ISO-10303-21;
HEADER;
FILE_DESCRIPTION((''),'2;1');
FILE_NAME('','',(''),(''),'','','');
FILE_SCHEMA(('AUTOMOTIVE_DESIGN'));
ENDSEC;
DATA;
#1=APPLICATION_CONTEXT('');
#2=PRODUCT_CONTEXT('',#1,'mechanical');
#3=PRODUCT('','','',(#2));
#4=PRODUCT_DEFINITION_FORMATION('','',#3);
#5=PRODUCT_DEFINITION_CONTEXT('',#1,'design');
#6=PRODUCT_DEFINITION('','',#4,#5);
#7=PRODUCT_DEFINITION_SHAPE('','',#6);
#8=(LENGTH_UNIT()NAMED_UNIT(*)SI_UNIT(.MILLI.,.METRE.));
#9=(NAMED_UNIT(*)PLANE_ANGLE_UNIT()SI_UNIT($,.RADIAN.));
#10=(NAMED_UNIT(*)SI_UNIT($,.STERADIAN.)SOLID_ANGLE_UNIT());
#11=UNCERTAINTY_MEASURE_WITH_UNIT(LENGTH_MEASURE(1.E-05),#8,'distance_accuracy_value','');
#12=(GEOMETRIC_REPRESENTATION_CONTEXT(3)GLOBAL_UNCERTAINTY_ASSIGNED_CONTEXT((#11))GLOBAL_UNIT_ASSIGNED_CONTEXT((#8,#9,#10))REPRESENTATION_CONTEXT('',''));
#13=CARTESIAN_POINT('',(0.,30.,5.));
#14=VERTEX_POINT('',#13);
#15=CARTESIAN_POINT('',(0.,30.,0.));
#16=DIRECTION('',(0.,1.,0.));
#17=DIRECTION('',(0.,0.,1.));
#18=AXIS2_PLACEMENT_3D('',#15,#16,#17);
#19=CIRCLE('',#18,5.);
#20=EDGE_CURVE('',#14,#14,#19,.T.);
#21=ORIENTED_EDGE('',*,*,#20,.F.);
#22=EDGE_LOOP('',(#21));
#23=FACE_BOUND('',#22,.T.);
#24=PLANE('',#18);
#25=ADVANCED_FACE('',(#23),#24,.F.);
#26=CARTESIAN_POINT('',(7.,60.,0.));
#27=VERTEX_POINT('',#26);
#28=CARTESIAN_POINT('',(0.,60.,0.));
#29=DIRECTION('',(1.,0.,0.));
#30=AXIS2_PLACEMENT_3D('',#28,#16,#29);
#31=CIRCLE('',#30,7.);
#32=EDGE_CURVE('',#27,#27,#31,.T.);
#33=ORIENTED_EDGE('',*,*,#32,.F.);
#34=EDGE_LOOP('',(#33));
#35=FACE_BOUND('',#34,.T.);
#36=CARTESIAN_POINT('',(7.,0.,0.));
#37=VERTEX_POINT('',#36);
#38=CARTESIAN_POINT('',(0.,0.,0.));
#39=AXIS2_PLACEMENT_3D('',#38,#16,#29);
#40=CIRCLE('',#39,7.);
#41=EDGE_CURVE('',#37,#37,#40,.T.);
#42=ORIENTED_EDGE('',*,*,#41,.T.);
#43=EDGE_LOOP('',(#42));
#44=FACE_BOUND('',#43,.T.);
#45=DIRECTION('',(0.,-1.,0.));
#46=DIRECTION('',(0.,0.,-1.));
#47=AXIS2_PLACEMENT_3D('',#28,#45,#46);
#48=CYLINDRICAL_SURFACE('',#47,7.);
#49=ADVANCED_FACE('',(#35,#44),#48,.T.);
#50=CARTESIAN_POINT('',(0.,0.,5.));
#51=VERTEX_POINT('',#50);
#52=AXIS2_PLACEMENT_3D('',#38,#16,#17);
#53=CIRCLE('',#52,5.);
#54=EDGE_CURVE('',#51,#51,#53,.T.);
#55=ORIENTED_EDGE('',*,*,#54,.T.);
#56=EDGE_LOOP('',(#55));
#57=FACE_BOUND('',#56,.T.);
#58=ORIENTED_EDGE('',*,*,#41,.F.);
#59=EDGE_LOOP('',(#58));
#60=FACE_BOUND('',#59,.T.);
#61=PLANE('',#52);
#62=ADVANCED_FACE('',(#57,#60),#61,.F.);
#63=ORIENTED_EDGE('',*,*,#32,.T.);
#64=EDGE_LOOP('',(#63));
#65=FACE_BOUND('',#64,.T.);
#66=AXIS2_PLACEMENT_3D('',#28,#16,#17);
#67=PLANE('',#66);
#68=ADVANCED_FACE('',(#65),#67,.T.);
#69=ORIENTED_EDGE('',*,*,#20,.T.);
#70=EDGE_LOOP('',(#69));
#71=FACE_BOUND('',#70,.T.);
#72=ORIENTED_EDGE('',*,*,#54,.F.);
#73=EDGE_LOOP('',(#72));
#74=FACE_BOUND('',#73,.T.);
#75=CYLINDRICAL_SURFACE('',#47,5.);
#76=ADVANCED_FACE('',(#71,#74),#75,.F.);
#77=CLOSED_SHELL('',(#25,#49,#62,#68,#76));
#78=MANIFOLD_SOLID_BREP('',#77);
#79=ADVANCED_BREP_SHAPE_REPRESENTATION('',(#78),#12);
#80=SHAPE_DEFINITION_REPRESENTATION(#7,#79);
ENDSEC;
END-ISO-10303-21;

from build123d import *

# Parameters (mm, degrees)
SKETCH1_R           = 7
SKETCH1_R_2         = 5
EXTRUDE_THIN2_DEPTH = 60
BOSS_EXTRUDE4_START = -30
SKETCH2_R           = 5
BOSS_EXTRUDE4_DEPTH = 30


with BuildPart() as part:
    # Sketch1 → Extrude-Thin2 (new body)
    with BuildSketch(Plane(origin=(0, 0, 0), x_dir=(1, 0, 0), z_dir=(0, 1, 0))):
        Circle(SKETCH1_R)
        Circle(SKETCH1_R_2, mode=Mode.SUBTRACT)
    extrude(amount=EXTRUDE_THIN2_DEPTH)

    # Sketch2 → Boss-Extrude4 (add)
    with BuildSketch(Plane(origin=(0, 60, 0), x_dir=(1, 0, 0), z_dir=(0, 1, 0)).offset(BOSS_EXTRUDE4_START)):
        with Locations(Location((0, 0, 0), (0, 0, 270))):
            Circle(SKETCH2_R)
    extrude(amount=BOSS_EXTRUDE4_DEPTH)


solid = part.part
